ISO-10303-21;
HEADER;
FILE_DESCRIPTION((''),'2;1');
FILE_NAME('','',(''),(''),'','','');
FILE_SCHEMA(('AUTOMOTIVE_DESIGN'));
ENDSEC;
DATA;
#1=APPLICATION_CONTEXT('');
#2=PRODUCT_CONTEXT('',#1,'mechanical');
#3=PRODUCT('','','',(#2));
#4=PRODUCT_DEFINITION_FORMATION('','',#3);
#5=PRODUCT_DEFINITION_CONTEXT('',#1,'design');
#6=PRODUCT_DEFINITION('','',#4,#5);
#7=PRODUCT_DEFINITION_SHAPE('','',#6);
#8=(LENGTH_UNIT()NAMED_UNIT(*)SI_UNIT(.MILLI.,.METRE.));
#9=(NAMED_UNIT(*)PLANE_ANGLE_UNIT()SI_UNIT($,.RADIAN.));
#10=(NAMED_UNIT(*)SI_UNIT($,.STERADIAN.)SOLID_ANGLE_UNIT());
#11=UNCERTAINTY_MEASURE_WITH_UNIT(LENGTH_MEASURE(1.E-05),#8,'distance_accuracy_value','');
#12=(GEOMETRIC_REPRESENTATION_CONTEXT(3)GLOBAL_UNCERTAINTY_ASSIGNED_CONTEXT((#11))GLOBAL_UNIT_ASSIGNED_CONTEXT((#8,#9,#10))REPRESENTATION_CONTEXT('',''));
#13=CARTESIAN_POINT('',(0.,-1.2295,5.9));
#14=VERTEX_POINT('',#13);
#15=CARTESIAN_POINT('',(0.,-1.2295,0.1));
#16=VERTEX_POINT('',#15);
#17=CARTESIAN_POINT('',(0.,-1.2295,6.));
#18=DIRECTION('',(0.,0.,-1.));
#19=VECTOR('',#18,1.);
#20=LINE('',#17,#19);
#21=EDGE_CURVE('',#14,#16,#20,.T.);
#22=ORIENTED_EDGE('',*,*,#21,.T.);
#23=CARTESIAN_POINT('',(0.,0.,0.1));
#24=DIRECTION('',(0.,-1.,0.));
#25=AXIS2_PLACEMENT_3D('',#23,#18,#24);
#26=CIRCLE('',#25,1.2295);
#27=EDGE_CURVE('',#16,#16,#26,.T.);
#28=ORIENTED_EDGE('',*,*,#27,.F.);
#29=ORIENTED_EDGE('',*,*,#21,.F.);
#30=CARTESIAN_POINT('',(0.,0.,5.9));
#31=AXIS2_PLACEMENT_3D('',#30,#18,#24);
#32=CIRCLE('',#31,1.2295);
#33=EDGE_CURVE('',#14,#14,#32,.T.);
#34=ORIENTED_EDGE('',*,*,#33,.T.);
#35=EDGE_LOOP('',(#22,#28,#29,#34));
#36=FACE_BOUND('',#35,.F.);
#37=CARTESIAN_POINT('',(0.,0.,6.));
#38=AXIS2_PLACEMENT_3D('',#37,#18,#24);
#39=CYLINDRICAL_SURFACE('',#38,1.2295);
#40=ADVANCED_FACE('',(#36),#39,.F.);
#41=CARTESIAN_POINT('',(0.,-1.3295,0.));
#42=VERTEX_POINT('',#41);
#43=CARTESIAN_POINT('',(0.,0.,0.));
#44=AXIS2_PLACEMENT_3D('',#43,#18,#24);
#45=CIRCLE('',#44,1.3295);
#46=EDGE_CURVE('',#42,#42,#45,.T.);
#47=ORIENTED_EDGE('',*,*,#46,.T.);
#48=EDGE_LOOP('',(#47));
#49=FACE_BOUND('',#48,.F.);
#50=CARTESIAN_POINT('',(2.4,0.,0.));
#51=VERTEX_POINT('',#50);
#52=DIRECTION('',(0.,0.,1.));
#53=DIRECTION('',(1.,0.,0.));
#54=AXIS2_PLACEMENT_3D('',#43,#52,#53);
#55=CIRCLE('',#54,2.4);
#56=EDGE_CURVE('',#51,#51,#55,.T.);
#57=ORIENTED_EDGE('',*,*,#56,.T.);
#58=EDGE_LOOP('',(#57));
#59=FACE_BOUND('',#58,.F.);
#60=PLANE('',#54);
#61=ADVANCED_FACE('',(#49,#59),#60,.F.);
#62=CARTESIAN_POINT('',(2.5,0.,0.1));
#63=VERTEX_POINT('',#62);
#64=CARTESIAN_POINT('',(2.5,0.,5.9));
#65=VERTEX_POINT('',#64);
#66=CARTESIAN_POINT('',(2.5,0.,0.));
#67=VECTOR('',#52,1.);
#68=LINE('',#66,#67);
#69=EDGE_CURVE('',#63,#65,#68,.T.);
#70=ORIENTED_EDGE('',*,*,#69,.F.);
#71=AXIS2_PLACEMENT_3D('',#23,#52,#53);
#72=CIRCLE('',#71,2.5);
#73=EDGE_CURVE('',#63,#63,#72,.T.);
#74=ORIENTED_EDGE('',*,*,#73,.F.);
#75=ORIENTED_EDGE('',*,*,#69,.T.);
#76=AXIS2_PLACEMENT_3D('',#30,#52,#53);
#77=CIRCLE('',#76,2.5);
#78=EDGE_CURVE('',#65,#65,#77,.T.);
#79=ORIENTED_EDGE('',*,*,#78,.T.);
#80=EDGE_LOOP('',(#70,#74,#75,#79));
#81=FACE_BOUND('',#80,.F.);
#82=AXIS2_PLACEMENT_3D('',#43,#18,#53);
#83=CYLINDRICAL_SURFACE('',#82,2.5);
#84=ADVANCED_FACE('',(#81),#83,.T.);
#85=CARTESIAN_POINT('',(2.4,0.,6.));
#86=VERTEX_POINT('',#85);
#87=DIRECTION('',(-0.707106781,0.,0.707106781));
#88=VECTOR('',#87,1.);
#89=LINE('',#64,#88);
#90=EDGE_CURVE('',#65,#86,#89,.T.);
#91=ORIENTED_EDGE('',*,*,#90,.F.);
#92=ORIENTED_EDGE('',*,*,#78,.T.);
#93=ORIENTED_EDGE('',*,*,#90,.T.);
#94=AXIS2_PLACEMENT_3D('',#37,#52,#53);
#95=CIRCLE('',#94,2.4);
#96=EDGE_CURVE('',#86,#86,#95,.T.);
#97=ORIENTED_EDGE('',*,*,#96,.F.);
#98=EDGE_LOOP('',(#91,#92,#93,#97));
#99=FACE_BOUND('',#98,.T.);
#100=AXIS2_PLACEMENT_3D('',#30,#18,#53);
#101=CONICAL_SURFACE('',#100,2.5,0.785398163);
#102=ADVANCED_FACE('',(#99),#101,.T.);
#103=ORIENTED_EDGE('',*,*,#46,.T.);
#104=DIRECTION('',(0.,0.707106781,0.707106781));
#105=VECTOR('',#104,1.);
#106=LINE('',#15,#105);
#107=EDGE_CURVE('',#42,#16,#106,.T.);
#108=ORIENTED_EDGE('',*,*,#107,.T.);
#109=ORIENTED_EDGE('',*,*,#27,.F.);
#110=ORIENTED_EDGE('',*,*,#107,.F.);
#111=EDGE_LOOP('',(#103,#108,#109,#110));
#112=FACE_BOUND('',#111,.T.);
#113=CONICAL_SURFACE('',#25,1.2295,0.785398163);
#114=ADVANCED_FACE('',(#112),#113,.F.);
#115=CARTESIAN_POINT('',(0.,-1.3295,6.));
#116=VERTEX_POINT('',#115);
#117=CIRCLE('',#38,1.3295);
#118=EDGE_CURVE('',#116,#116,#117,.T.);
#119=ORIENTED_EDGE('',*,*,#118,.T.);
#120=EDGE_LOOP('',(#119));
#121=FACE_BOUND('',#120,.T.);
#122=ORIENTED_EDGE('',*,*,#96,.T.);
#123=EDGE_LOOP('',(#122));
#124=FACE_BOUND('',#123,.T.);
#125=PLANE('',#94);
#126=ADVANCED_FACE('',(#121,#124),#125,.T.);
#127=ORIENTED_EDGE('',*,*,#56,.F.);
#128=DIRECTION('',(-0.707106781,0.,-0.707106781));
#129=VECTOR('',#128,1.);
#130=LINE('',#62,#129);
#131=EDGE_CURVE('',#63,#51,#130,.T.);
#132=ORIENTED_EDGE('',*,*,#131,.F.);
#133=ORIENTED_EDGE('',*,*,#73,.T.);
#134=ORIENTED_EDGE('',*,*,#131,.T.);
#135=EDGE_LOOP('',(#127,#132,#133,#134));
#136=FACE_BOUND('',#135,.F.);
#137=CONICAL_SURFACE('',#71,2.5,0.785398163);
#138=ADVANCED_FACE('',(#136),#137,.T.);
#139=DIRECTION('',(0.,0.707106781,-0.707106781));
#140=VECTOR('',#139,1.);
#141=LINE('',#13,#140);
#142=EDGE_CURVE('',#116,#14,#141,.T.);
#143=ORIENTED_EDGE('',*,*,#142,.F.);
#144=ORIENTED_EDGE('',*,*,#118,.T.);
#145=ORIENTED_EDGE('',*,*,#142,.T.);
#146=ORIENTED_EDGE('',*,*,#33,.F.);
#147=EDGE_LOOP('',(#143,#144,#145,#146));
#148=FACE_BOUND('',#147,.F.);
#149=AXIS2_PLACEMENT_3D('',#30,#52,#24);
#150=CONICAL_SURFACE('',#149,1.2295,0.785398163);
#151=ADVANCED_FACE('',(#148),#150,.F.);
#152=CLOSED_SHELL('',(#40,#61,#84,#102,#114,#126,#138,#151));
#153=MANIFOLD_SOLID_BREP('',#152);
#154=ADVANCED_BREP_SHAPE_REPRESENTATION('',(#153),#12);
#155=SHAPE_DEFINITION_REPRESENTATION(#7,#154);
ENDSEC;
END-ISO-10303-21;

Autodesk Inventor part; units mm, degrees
ref_plane "YZ Plane" through (0, 0, 0) normal (1, 0, 0) x (0, 1, 0)
ref_plane "XZ Plane" through (0, 0, 0) normal (0, 1, 0) x (-1, 0, 0)
ref_plane "XY Plane" through (0, 0, 0) normal (0, 0, 1) x (1, 0, 0)
sketch "スケッチ1" plane through (0, 0, 0) normal (0, 0, 1) x (1, 0, 0)
  circle A0 centre (0, 0) radius 2.5
  dimension "d0" = 5
extrude "押し出し1" add sketch "スケッチ1" along normal blind 6
sketch "スケッチ2" plane through (0, 0, 6) normal (0, 0, 1) x (1, 0, 0)
  circle A0 centre (0, 0) radius 2.5 construction
hole "穴1" at (0, 0, 6) direction (0, 0, -1) diameter 2.459 end through all thread size "M3x0.5" class "6H" standard "ANSI Metric M Profile"
chamfer "面取り1" distance 0.1 angle 45 4 edges at (0, 1.2295, 6) (-2.5, 0, 6) (-2.5, 0, 0) (0, 1.2295, 0)
properties part number "SB-305060" material "真鍮、ソフト イエロー"
